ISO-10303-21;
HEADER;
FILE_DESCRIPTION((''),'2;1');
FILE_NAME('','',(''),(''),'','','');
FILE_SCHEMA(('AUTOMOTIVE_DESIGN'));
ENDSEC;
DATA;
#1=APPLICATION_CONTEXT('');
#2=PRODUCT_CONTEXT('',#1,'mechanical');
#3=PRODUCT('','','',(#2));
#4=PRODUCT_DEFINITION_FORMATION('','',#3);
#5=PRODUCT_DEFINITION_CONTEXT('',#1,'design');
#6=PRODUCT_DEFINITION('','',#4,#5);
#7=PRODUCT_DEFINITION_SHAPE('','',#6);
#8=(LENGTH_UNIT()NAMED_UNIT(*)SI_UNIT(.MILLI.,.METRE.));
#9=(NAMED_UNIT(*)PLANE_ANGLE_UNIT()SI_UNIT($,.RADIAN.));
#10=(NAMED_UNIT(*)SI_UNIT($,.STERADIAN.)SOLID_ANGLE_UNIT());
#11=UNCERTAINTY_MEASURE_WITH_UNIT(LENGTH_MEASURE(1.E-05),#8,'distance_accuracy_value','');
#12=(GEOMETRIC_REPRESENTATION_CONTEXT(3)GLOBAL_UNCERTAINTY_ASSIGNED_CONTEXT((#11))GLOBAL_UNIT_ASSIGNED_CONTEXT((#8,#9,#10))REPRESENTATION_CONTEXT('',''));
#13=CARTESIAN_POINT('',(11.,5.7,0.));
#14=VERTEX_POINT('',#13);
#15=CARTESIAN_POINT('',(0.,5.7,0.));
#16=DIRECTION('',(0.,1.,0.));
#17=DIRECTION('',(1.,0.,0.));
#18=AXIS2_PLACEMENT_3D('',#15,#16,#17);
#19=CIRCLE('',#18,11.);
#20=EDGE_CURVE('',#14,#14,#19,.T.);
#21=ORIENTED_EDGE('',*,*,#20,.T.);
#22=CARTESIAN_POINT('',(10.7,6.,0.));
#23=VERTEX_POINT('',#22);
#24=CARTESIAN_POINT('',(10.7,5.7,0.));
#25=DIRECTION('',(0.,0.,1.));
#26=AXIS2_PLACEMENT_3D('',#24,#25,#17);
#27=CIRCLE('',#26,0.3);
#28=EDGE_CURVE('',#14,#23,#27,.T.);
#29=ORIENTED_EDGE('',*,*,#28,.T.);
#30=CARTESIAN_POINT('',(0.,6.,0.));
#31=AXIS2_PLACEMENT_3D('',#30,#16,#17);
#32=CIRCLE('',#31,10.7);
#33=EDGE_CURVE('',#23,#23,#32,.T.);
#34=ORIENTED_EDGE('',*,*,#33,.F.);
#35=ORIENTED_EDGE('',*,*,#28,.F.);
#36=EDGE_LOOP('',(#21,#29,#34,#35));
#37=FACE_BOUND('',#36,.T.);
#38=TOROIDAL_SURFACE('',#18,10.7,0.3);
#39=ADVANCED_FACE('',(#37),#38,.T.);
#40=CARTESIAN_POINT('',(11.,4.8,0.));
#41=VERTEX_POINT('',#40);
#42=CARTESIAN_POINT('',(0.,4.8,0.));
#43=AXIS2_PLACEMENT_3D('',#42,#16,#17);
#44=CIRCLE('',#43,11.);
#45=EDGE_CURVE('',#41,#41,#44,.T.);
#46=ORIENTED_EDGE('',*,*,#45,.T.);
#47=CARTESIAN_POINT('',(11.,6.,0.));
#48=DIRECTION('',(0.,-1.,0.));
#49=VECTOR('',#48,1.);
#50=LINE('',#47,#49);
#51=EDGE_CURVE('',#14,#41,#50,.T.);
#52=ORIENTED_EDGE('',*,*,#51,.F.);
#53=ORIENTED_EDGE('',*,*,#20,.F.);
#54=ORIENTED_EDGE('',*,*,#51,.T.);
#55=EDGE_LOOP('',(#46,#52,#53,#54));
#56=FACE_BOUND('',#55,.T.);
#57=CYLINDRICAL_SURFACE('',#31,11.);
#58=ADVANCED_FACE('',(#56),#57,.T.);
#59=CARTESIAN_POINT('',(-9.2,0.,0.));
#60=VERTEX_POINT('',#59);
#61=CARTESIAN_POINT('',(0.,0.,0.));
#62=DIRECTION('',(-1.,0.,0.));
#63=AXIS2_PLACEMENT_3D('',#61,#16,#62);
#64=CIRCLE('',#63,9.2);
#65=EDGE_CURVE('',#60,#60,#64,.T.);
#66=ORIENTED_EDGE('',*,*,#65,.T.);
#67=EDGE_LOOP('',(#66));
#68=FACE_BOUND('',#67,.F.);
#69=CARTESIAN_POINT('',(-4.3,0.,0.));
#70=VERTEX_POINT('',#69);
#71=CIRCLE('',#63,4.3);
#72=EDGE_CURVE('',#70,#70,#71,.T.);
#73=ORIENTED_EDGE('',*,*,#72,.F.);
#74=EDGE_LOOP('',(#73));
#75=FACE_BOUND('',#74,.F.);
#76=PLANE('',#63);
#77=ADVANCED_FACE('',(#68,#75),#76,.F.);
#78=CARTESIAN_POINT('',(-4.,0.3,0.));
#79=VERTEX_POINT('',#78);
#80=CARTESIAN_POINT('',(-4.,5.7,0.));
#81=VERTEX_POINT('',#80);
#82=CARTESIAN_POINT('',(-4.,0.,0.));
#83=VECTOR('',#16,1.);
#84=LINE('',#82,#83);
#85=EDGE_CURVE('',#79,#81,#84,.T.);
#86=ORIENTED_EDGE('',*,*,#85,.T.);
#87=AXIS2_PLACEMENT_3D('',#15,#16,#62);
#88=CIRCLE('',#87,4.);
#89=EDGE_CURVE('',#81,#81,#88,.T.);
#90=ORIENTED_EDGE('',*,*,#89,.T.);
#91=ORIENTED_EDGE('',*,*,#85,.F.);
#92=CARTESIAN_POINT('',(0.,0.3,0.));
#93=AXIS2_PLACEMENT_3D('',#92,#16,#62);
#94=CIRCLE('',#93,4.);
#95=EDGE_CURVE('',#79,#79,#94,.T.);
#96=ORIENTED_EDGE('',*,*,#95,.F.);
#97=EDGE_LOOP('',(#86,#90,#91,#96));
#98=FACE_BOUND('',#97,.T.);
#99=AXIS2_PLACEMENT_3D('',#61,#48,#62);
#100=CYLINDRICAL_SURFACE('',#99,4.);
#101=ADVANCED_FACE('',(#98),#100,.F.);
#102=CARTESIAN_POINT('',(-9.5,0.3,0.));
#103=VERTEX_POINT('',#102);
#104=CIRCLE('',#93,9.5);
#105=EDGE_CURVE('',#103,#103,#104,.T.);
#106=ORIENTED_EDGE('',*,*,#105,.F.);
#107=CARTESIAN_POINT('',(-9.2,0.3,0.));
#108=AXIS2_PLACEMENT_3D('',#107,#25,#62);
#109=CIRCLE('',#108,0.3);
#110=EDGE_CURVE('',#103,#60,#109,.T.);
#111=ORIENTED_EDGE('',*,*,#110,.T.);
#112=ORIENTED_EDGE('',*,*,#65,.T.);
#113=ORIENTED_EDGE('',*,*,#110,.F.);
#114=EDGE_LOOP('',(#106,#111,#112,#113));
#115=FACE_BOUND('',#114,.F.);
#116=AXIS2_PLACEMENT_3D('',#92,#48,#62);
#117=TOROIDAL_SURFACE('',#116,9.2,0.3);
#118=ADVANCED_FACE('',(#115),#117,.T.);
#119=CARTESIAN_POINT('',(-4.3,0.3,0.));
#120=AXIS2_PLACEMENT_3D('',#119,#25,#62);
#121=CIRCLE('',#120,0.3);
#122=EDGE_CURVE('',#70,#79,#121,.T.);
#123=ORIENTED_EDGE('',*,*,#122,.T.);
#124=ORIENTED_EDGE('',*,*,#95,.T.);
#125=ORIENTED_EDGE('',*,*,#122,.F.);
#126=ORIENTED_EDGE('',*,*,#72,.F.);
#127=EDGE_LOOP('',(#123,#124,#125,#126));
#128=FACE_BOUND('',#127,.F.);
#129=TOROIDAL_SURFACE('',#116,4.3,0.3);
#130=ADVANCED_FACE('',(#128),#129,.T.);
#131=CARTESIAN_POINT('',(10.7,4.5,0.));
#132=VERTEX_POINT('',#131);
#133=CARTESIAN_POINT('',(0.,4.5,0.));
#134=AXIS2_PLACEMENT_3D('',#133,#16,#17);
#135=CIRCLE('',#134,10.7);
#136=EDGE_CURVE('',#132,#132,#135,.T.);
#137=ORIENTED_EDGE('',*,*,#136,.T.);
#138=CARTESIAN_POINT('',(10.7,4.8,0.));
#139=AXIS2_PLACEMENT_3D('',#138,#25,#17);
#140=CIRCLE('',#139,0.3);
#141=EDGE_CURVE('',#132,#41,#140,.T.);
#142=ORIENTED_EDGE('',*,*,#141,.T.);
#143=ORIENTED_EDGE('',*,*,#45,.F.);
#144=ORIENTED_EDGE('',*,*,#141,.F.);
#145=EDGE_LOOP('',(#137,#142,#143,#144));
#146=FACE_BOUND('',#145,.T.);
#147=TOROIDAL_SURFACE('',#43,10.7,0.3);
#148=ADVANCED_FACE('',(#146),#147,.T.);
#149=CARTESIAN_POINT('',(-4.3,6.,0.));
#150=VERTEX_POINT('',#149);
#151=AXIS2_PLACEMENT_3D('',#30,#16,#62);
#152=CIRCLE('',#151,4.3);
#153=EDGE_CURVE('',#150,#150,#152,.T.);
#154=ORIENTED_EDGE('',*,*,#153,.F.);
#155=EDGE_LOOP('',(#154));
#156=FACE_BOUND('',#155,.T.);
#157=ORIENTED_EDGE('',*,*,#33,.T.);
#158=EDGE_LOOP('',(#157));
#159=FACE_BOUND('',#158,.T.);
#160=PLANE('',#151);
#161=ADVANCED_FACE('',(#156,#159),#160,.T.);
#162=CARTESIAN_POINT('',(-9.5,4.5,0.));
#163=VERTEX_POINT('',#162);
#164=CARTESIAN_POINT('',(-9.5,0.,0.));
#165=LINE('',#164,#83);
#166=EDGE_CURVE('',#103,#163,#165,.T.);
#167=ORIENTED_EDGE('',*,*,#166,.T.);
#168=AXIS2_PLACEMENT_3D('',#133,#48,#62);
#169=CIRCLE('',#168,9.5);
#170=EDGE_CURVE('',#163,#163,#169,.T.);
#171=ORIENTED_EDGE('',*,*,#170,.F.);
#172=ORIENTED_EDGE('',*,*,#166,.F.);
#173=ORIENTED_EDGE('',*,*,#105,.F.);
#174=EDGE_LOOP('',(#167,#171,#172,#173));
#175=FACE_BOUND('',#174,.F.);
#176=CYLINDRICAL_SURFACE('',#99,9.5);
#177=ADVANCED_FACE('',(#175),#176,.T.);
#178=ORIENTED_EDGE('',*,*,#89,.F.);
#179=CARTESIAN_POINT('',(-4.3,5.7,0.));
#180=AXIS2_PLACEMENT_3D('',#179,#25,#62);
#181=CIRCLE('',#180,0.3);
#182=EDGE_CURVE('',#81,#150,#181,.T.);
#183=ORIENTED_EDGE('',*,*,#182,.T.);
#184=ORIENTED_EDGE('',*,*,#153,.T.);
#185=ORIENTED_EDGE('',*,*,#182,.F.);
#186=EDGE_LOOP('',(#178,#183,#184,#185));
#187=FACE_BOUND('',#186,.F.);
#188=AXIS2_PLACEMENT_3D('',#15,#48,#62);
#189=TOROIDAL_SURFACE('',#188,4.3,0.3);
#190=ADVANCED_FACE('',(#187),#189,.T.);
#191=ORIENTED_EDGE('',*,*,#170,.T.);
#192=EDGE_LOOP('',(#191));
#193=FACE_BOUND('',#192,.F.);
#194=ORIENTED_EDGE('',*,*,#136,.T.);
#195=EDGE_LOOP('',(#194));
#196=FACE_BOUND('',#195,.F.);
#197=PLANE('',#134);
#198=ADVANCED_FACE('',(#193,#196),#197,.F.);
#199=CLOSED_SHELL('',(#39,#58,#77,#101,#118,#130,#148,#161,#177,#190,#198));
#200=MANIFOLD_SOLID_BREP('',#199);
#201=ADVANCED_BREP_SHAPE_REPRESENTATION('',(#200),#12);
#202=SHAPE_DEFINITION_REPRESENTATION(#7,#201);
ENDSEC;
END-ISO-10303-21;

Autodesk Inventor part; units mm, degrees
ref_plane "YZ Plane" through (0, 0, 0) normal (1, 0, 0) x (0, 1, 0)
ref_plane "XZ Plane" through (0, 0, 0) normal (0, 1, 0) x (-1, 0, 0)
ref_plane "XY Plane" through (0, 0, 0) normal (0, 0, 1) x (1, 0, 0)
sketch "スケッチ1" plane through (0, 0, 0) normal (0, 1, 0) x (-1, 0, 0)
  circle A0 centre (0, 0) radius 4
  circle A1 centre (0, 0) radius 9.5
  dimension "d0" = 8
  dimension "d1" = 19
extrude "押し出し1" add sketch "スケッチ1" along normal blind 6
sketch "スケッチ2" plane through (0, 6, 0) normal (0, 1, 0) x (1, 0, 0)
  circle A0 centre (0, 0) radius 11
  circle A1 centre (0, 0) radius 9.5 projected
  dimension "d4" = 22
extrude "押し出し2" add sketch "スケッチ2" against normal blind 1.5
fillet "フィレット1" radius 0.3 5 edges at (-11, 6, 0) (-11, 4.5, 0) (9.5, 0, 0) (4, 6, 0) (4, 0, 0)
properties part number "p8-19flange" material "鋼 AISI 1006 85 HR"
